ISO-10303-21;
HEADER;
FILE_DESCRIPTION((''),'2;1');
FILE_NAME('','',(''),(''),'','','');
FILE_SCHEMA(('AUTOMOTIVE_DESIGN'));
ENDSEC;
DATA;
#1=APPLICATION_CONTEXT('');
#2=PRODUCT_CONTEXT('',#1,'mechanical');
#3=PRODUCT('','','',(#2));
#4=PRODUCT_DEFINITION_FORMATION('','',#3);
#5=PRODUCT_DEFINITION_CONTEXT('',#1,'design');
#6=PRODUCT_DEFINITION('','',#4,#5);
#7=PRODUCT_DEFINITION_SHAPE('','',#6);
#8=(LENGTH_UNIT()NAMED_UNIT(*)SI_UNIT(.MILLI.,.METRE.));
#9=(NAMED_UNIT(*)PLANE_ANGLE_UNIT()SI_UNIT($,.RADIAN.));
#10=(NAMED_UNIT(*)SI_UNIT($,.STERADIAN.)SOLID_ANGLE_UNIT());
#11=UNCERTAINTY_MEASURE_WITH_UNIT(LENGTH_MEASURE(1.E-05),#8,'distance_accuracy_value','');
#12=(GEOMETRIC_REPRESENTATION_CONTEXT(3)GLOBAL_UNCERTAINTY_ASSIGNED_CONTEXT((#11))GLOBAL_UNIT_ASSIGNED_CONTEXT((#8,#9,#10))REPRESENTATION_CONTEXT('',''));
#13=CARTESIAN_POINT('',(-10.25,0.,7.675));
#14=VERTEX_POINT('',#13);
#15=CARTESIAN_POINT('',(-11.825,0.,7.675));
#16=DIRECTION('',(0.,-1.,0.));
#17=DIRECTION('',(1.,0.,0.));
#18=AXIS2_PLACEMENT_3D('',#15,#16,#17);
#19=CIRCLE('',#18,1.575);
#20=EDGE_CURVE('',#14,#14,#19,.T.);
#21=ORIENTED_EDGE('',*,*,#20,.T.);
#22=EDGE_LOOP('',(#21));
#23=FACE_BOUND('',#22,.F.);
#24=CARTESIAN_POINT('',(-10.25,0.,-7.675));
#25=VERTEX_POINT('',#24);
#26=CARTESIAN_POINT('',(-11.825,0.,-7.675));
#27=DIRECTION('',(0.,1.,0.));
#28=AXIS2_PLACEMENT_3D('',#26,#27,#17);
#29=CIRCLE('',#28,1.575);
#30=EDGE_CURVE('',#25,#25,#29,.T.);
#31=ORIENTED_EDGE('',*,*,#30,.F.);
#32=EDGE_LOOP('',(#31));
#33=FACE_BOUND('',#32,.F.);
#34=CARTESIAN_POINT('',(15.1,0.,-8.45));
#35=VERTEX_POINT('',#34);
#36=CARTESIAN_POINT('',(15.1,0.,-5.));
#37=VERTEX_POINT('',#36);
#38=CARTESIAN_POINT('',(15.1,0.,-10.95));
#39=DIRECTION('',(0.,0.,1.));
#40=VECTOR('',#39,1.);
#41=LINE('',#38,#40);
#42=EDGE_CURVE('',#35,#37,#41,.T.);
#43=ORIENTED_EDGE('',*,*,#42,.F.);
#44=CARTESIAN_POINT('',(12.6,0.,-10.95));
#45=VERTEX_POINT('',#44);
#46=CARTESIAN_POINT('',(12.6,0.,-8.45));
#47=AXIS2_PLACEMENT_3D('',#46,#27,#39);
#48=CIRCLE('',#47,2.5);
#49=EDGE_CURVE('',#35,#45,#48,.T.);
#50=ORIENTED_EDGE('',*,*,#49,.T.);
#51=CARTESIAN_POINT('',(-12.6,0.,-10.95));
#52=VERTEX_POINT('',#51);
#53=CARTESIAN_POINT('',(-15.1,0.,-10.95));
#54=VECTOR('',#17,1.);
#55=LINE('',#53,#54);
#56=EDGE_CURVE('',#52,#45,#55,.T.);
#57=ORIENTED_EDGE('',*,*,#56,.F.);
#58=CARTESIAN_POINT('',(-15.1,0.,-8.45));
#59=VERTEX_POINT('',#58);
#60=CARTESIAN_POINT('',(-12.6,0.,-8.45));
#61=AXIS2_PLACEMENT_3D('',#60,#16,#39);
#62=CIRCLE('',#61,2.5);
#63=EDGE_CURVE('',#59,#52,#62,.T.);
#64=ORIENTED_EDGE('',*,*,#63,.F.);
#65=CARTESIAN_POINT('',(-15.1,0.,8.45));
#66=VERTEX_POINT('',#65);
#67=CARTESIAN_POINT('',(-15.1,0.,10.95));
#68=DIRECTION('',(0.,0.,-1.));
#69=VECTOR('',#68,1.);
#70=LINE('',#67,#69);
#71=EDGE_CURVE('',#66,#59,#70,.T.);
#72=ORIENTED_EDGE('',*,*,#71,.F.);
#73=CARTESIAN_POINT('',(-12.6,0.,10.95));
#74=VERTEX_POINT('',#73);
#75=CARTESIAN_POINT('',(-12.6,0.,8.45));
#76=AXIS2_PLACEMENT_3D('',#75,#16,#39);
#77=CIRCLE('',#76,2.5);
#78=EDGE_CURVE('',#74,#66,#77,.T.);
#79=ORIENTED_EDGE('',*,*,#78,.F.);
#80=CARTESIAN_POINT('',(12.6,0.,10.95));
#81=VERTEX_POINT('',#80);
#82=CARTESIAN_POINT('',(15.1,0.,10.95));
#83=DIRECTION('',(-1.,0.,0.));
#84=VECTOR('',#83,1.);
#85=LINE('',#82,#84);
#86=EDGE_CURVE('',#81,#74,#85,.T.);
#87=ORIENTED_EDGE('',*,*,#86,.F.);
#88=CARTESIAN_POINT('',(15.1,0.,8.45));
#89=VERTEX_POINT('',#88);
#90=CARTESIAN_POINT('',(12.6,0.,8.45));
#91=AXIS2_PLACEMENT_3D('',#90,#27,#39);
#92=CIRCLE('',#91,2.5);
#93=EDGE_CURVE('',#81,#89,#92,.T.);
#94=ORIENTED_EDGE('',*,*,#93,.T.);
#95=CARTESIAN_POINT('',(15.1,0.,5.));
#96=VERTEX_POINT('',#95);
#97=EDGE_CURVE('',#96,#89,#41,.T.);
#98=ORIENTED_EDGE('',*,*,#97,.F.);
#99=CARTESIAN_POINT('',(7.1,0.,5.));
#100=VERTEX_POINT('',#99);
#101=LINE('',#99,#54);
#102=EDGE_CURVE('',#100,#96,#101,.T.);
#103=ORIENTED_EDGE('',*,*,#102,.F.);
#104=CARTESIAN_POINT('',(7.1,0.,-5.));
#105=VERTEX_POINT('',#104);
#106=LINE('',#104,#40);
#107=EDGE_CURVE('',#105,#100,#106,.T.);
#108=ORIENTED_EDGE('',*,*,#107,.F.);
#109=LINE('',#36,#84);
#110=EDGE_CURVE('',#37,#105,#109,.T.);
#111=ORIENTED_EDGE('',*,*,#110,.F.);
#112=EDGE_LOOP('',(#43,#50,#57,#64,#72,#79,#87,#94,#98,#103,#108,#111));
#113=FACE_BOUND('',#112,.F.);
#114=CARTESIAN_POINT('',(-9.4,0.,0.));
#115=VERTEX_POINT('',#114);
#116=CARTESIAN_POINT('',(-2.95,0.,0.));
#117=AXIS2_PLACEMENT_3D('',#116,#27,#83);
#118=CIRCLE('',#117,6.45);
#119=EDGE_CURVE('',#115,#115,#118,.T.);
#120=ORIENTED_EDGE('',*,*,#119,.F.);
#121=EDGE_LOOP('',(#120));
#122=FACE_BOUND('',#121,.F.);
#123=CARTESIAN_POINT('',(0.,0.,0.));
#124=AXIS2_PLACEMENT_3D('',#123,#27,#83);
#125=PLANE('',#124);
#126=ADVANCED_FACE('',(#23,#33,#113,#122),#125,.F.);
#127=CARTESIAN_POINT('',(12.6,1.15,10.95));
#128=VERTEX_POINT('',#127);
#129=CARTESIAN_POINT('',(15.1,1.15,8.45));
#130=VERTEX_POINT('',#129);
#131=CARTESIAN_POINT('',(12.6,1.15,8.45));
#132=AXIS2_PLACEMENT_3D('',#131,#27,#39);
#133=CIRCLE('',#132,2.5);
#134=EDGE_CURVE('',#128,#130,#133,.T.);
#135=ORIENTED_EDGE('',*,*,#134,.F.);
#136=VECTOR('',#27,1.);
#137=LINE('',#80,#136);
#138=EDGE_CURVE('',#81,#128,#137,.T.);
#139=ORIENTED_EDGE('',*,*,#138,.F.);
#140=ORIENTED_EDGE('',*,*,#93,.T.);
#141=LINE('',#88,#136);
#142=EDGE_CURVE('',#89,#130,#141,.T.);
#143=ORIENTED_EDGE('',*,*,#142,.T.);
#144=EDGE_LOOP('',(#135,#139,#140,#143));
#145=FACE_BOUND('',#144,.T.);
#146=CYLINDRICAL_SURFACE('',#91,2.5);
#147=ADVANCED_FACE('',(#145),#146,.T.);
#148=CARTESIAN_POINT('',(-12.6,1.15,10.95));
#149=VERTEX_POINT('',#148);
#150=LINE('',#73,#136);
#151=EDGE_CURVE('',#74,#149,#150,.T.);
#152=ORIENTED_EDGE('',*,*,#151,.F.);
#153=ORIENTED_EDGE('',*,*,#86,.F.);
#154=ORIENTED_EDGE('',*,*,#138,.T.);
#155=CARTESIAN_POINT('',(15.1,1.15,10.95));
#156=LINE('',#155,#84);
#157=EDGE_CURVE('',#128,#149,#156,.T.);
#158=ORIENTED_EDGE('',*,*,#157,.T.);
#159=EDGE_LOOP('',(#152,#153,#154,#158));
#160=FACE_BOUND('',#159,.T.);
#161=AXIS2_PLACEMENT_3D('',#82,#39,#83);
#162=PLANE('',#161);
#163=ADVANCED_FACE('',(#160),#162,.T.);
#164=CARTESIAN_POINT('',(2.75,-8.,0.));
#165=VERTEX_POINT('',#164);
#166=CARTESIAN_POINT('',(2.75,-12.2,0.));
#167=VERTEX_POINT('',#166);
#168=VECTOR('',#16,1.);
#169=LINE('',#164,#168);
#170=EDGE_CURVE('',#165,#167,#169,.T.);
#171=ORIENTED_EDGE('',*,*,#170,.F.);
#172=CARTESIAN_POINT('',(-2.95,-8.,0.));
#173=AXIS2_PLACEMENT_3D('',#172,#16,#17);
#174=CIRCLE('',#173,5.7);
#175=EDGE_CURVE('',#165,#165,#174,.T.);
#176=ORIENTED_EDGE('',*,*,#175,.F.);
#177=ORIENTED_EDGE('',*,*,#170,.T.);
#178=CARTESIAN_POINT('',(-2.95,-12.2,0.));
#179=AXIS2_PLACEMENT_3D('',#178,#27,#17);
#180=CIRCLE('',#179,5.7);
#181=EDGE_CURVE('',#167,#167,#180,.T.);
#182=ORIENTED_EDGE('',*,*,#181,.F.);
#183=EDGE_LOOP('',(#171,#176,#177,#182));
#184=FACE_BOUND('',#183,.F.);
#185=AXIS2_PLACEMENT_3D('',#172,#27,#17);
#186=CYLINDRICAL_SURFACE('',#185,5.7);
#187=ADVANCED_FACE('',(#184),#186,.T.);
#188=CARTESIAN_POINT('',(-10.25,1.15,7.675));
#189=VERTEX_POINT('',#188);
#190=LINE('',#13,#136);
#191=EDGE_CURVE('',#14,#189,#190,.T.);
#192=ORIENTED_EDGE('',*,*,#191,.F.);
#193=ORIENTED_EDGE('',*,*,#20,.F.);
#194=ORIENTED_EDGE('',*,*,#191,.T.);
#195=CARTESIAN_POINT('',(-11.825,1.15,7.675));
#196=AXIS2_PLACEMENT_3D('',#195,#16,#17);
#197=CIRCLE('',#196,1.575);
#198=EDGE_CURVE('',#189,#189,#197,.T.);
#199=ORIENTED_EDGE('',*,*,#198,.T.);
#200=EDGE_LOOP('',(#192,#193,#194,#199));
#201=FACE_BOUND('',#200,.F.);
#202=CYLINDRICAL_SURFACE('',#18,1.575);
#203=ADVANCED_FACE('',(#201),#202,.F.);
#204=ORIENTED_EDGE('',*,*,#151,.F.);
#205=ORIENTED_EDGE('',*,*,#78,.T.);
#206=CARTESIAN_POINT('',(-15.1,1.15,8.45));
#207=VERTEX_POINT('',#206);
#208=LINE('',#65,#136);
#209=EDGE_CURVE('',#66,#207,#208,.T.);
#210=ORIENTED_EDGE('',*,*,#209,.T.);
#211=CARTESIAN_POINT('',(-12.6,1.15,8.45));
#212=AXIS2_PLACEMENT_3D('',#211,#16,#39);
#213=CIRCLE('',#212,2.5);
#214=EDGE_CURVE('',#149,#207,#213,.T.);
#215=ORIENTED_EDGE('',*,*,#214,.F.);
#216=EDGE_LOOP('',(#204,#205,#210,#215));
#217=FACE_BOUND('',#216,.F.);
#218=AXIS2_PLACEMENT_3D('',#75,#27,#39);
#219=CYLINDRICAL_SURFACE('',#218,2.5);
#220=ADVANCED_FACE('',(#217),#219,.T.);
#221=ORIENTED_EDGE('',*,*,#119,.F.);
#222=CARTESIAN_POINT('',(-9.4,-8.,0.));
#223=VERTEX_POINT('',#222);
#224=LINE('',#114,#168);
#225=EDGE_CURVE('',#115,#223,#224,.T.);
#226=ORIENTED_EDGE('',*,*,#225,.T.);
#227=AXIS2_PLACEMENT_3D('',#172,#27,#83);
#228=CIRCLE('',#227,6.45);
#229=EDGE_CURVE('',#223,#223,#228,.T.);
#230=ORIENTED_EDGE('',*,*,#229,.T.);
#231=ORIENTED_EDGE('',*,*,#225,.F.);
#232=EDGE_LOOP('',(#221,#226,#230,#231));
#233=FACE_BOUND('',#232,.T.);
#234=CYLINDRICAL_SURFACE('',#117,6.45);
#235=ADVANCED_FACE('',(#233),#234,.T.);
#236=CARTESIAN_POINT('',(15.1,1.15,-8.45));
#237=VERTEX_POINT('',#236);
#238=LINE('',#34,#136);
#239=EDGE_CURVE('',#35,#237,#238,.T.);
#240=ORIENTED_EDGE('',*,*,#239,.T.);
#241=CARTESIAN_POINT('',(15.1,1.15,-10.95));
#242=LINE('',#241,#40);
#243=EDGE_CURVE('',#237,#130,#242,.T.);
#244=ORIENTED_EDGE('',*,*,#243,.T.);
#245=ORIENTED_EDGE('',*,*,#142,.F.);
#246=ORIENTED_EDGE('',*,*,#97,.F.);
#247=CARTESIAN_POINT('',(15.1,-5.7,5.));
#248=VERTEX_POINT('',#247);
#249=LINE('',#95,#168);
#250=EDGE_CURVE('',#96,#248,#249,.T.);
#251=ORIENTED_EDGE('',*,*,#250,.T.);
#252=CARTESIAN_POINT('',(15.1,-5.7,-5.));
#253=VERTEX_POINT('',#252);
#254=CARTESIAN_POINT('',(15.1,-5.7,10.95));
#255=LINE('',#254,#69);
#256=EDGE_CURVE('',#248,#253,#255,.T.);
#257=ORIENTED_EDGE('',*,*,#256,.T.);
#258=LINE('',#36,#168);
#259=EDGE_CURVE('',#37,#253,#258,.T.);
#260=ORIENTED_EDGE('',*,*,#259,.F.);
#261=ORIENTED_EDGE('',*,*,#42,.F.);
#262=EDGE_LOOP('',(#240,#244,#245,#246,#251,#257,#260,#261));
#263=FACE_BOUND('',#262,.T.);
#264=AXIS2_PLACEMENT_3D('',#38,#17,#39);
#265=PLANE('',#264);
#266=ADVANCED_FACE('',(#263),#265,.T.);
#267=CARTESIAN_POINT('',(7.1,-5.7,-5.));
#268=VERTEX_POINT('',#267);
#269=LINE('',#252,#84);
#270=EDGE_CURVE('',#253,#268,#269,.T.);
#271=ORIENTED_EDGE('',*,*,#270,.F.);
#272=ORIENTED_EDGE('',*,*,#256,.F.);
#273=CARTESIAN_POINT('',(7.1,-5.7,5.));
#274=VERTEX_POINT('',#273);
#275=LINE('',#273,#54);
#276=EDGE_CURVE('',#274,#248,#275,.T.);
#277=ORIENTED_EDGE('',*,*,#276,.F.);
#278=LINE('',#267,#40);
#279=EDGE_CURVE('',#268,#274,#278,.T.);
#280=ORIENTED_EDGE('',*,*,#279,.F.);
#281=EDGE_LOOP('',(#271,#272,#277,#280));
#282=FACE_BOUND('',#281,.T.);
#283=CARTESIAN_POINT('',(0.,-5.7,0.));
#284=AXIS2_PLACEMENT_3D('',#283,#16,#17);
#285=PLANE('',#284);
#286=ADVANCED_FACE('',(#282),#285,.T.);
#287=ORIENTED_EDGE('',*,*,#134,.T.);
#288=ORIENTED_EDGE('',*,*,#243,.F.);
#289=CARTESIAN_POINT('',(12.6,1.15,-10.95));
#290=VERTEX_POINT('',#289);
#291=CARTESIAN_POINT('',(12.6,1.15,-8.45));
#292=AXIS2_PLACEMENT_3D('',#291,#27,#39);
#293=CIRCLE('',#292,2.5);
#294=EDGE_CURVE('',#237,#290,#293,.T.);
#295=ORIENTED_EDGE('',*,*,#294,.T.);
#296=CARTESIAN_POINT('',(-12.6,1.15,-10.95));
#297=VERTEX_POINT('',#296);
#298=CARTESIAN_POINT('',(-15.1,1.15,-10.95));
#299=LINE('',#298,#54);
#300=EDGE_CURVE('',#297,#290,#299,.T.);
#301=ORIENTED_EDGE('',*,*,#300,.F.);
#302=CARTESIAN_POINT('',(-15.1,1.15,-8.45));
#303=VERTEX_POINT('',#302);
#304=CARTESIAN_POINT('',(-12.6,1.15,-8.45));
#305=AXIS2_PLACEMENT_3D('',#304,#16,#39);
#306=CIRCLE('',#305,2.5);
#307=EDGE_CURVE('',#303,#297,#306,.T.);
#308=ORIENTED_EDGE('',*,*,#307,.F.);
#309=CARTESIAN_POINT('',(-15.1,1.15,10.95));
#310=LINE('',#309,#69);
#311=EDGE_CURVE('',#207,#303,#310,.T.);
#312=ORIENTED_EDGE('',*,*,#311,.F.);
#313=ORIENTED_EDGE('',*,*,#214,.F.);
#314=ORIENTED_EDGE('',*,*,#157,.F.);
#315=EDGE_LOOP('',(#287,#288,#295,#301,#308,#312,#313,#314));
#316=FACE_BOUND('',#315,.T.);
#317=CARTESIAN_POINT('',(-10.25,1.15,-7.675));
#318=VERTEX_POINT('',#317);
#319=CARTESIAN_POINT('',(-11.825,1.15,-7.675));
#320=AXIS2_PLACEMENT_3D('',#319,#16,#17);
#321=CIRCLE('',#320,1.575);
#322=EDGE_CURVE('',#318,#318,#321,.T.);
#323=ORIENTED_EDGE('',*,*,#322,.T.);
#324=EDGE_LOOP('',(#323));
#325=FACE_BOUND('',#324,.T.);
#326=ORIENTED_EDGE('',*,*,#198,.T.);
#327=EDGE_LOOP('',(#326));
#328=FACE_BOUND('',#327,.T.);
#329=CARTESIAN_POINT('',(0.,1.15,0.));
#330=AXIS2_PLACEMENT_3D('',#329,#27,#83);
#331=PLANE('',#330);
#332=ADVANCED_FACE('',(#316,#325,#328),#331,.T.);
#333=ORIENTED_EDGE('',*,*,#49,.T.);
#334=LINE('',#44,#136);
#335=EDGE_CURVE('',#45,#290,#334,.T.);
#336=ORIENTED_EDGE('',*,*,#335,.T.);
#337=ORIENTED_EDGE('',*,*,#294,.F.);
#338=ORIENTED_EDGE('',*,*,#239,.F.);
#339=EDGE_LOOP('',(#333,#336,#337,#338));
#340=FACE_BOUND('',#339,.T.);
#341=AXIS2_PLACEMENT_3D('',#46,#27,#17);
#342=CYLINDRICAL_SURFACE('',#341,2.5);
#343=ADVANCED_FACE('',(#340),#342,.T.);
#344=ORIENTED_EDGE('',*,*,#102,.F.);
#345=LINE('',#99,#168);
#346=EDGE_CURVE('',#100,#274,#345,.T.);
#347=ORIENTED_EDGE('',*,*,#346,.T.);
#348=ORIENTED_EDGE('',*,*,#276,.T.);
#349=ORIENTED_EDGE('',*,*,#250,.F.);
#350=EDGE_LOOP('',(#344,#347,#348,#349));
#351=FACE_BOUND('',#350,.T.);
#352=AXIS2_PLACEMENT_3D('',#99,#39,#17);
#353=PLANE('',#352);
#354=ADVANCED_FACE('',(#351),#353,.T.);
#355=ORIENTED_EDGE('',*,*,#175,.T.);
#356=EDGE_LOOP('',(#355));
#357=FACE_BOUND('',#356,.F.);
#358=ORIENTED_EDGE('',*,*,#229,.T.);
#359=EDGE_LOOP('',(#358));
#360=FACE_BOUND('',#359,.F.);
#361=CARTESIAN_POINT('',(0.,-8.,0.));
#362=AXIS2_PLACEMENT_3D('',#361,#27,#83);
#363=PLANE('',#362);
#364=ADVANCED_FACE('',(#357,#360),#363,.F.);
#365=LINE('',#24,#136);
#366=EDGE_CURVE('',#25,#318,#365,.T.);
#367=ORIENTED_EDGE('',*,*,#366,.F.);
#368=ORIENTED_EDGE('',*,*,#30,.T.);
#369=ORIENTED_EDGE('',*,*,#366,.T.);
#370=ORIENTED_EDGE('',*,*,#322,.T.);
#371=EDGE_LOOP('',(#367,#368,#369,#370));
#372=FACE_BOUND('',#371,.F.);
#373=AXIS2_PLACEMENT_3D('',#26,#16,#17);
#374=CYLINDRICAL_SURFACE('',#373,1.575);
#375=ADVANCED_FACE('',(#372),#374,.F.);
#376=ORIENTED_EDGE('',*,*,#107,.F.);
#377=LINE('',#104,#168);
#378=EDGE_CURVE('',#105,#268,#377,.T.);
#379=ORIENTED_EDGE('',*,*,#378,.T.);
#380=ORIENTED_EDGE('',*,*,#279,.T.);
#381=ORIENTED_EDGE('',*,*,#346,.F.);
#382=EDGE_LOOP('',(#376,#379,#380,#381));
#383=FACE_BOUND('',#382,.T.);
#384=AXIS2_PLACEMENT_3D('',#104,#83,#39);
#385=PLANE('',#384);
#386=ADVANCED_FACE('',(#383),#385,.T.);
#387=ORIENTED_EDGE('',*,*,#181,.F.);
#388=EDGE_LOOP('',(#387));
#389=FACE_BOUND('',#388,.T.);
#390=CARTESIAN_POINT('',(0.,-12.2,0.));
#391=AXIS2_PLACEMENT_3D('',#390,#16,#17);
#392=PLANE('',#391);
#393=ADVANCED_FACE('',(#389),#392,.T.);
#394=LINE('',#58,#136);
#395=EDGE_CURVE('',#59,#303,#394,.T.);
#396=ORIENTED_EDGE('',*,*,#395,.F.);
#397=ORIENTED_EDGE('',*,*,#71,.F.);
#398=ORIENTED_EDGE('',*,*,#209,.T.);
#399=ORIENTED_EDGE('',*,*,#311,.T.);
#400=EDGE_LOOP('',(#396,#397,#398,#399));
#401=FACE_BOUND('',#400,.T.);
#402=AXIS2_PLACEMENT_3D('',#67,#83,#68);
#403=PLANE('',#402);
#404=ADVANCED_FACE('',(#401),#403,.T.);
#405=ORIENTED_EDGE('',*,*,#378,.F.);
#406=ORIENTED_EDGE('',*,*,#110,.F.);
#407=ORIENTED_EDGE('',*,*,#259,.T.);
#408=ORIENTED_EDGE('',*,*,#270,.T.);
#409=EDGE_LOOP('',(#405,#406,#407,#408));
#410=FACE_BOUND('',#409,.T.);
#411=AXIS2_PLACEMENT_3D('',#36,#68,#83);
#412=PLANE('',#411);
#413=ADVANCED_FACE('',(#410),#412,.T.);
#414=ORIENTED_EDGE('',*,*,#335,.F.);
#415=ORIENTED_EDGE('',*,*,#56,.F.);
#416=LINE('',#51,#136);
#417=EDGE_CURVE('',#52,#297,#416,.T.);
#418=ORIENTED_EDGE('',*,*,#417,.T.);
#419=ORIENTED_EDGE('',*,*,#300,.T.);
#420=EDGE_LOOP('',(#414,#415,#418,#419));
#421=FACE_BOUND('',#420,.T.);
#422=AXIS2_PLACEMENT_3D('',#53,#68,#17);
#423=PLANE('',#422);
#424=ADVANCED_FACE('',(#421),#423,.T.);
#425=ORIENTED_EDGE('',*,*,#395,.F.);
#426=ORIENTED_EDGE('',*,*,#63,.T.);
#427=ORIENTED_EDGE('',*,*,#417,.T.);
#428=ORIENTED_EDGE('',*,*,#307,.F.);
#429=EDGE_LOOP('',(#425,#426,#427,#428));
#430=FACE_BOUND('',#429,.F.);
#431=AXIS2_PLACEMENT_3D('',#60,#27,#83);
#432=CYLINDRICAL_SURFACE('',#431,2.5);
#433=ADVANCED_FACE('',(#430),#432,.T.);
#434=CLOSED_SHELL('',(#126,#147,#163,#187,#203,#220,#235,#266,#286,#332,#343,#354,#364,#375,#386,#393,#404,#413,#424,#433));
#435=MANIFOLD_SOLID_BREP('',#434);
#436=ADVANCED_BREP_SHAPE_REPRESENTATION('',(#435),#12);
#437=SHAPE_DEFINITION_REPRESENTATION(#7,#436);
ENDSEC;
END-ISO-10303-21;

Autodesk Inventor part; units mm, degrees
ref_plane "YZ Plane" through (0, 0, 0) normal (1, 0, 0) x (0, 1, 0)
ref_plane "XZ Plane" through (0, 0, 0) normal (0, 1, 0) x (-1, 0, 0)
ref_plane "XY Plane" through (0, 0, 0) normal (0, 0, 1) x (1, 0, 0)
sketch "Sketch1" plane through (0, 0, 0) normal (0, 1, 0) x (-1, 0, 0)
  line L0 (-15.1, 10.95) -> (15.1, 10.95)
  line L1 (15.1, 10.95) -> (15.1, -10.95)
  line L2 (15.1, -10.95) -> (-15.1, -10.95)
  line L3 (-15.1, -10.95) -> (-15.1, 10.95)
  line L4 (-15.1, 10.95) -> (15.1, -10.95) construction
  line L5 (15.1, 10.95) -> (-15.1, -10.95) construction
  line L6 (-3.5, 6.45) -> (9.4, 6.45)
  line L7 (9.4, 6.45) -> (9.4, -6.45)
  line L8 (9.4, -6.45) -> (-3.5, -6.45)
  line L9 (-3.5, -6.45) -> (-3.5, 6.45)
  line L10 (-3.5, 6.45) -> (9.4, -6.45) construction
  line L11 (9.4, 6.45) -> (-3.5, -6.45) construction
  circle A0 centre (2.95, 0) radius 6.45
  point P0 (0, 0)
  dimension "d0" = 21.9
  dimension "d1" = 30.2
  dimension "d3" = 12.9
  dimension "d4" = 18.6
extrude "Extrusion1" add sketch "Sketch1" along normal blind 1.15 contours L0 L1 L2 L3 | L6 A0 L9 | L6 L7 A0 | A0 | A0 L8 L9 | L7 L8 A0
extrude "Extrusion2" add sketch "Sketch1" against normal blind 8 contours A0
sketch "Sketch2" plane through (0, -8, 0) normal (0, -1, 0) x (1, 0, 0)
  line L0 (3.5, -6.45) -> (3.5, 6.45) projected
  line L1 (3.5, 6.45) -> (-9.4, 6.45) projected
  line L2 (-9.4, 6.45) -> (-9.4, -6.45) projected
  line L3 (-9.4, -6.45) -> (3.5, -6.45) projected
  line L4 (3.5, 6.45) -> (-9.4, -6.45)
  line L5 (3.5, -6.45) -> (-9.4, 6.45)
  circle A0 centre (-2.95, 0) radius 5.7
  point P0 (0, 0)
  dimension "d9" = 11.4
extrude "Extrusion3" add sketch "Sketch2" along normal blind 4.2 contours A0 L4 L5 | L5 L4 A0 | L4 L5 A0 | A0 L5 L4
sketch "Sketch3" plane through (0, 0, 0) normal (0, -1, 0) x (1, 0, 0)
  line L0 (15.1, -10.95) -> (-15.1, -10.95) projected
  line L1 (15.1, 10.95) -> (15.1, -10.95) projected
  line L2 (-15.1, 10.95) -> (15.1, 10.95) projected
  line L3 (-15.1, -10.95) -> (-15.1, 10.95) projected
  line L4 (15.1, -5) -> (7.1, -5)
  line L5 (7.1, -5) -> (7.1, 5)
  line L6 (7.1, 5) -> (15.1, 5)
  line L7 (15.1, 5) -> (15.1, -5)
  line L8 (15.1, -5) -> (7.1, 5) construction
  line L9 (7.1, -5) -> (15.1, 5) construction
  line L10 (15.1, 10.95) -> (15.1, -10.95) projected
  point P0 (0, 0)
  point P1 (11.1, 0)
  point P2 (15.1, 0)
  dimension "d12" = 10
  dimension "d13" = 8
extrude "Extrusion4" add sketch "Sketch3" along normal blind 5.7 contours L4 L5 L6 L1
sketch "Sketch4" plane through (0, 0, 0) normal (0, -1, 0) x (1, 0, 0)
  line L0 (7.1, 5) -> (15.1, 5) projected
  line L1 (15.1, 10.95) -> (15.1, 5) projected
  line L2 (-15.1, 10.95) -> (15.1, 10.95) projected
  line L3 (-15.1, -10.95) -> (-15.1, 10.95) projected
  line L4 (15.1, -10.95) -> (-15.1, -10.95) projected
  line L5 (15.1, -5) -> (15.1, -10.95) projected
  line L6 (15.1, -5) -> (7.1, -5) projected
  line L7 (7.1, -5) -> (7.1, 5) projected
  circle A0 centre (-11.825, -7.675) radius 1.575
  circle A1 centre (-11.825, 7.675) radius 1.575
  line L8 (-10.25, -9.6033) -> (-10.25, -6.1)
  line L9 (-10.25, -6.1) -> (-13.9455, -6.1)
  point P0 (0, 0)
  dimension "d16" = 3.15
  dimension "d17" = 3.15
  dimension "d18" = 4.85
  dimension "d19" = 3.275
  dimension "d20" = 3.275
  dimension "d21" = 4.85
extrude "Extrusion5" cut sketch "Sketch4" against normal through all contours A0 | A1
fillet "Fillet1" radius 2.5 4 edges at (-15.1, 0.575, -10.95) (-15.1, 0.575, 10.95) (15.1, 0.575, -10.95) (15.1, 0.575, 10.95)
sketch "Sketch5" plane through (0, 0, 0) normal (0, -1, 0) x (1, 0, 0)
  circle A0 centre (-11.825, 7.675) radius 1.575 projected
  circle A1 centre (-11.825, -7.675) radius 1.575 projected
  arc A2 (15.1, 8.45) -> (12.6, 10.95) centre (12.6, 8.45) ccw projected
  line L0 (-12.6, 10.95) -> (12.6, 10.95) projected
  arc A3 (-12.6, 10.95) -> (-15.1, 8.45) centre (-12.6, 8.45) ccw projected
  line L1 (-15.1, -8.45) -> (-15.1, 8.45) projected
  arc A4 (-15.1, -8.45) -> (-12.6, -10.95) centre (-12.6, -8.45) ccw projected
  line L2 (12.6, -10.95) -> (-12.6, -10.95) projected
  arc A5 (12.6, -10.95) -> (15.1, -8.45) centre (12.6, -8.45) ccw projected
  line L3 (15.1, -5) -> (15.1, -8.45) projected
  line L4 (15.1, -5) -> (7.1, -5) projected
  line L5 (7.1, -5) -> (7.1, 5) projected
  line L6 (7.1, 5) -> (15.1, 5) projected
  line L7 (15.1, 8.45) -> (15.1, 5) projected
  line L8 (-15.1, -8.45) -> (-15.1, -10.95)
  line L9 (-15.1, -10.95) -> (-12.6, -10.95)
  line L10 (-14.9891, 11.1013) -> (15.1, 10.95) construction
  line L11 (15.1, 10.95) -> (14.9891, -11.1013) construction
  line L12 (14.9891, -11.1013) -> (-15.1, -10.95) construction
  line L13 (-15.1, -10.95) -> (-14.9891, 11.1013) construction
  line L14 (12.6, 10.95) -> (15.1, 10.95)
  line L15 (15.1, 10.95) -> (15.1, 8.45)
  point P0 (0, 0)
decal "Decal1"
decal "Decal2"
decal "Decal3"
decal "Decal4"
equation "\"d20\" = d19"
equation "\"d21\" = d18"
properties part number "DF Robot DFR0029-R"
